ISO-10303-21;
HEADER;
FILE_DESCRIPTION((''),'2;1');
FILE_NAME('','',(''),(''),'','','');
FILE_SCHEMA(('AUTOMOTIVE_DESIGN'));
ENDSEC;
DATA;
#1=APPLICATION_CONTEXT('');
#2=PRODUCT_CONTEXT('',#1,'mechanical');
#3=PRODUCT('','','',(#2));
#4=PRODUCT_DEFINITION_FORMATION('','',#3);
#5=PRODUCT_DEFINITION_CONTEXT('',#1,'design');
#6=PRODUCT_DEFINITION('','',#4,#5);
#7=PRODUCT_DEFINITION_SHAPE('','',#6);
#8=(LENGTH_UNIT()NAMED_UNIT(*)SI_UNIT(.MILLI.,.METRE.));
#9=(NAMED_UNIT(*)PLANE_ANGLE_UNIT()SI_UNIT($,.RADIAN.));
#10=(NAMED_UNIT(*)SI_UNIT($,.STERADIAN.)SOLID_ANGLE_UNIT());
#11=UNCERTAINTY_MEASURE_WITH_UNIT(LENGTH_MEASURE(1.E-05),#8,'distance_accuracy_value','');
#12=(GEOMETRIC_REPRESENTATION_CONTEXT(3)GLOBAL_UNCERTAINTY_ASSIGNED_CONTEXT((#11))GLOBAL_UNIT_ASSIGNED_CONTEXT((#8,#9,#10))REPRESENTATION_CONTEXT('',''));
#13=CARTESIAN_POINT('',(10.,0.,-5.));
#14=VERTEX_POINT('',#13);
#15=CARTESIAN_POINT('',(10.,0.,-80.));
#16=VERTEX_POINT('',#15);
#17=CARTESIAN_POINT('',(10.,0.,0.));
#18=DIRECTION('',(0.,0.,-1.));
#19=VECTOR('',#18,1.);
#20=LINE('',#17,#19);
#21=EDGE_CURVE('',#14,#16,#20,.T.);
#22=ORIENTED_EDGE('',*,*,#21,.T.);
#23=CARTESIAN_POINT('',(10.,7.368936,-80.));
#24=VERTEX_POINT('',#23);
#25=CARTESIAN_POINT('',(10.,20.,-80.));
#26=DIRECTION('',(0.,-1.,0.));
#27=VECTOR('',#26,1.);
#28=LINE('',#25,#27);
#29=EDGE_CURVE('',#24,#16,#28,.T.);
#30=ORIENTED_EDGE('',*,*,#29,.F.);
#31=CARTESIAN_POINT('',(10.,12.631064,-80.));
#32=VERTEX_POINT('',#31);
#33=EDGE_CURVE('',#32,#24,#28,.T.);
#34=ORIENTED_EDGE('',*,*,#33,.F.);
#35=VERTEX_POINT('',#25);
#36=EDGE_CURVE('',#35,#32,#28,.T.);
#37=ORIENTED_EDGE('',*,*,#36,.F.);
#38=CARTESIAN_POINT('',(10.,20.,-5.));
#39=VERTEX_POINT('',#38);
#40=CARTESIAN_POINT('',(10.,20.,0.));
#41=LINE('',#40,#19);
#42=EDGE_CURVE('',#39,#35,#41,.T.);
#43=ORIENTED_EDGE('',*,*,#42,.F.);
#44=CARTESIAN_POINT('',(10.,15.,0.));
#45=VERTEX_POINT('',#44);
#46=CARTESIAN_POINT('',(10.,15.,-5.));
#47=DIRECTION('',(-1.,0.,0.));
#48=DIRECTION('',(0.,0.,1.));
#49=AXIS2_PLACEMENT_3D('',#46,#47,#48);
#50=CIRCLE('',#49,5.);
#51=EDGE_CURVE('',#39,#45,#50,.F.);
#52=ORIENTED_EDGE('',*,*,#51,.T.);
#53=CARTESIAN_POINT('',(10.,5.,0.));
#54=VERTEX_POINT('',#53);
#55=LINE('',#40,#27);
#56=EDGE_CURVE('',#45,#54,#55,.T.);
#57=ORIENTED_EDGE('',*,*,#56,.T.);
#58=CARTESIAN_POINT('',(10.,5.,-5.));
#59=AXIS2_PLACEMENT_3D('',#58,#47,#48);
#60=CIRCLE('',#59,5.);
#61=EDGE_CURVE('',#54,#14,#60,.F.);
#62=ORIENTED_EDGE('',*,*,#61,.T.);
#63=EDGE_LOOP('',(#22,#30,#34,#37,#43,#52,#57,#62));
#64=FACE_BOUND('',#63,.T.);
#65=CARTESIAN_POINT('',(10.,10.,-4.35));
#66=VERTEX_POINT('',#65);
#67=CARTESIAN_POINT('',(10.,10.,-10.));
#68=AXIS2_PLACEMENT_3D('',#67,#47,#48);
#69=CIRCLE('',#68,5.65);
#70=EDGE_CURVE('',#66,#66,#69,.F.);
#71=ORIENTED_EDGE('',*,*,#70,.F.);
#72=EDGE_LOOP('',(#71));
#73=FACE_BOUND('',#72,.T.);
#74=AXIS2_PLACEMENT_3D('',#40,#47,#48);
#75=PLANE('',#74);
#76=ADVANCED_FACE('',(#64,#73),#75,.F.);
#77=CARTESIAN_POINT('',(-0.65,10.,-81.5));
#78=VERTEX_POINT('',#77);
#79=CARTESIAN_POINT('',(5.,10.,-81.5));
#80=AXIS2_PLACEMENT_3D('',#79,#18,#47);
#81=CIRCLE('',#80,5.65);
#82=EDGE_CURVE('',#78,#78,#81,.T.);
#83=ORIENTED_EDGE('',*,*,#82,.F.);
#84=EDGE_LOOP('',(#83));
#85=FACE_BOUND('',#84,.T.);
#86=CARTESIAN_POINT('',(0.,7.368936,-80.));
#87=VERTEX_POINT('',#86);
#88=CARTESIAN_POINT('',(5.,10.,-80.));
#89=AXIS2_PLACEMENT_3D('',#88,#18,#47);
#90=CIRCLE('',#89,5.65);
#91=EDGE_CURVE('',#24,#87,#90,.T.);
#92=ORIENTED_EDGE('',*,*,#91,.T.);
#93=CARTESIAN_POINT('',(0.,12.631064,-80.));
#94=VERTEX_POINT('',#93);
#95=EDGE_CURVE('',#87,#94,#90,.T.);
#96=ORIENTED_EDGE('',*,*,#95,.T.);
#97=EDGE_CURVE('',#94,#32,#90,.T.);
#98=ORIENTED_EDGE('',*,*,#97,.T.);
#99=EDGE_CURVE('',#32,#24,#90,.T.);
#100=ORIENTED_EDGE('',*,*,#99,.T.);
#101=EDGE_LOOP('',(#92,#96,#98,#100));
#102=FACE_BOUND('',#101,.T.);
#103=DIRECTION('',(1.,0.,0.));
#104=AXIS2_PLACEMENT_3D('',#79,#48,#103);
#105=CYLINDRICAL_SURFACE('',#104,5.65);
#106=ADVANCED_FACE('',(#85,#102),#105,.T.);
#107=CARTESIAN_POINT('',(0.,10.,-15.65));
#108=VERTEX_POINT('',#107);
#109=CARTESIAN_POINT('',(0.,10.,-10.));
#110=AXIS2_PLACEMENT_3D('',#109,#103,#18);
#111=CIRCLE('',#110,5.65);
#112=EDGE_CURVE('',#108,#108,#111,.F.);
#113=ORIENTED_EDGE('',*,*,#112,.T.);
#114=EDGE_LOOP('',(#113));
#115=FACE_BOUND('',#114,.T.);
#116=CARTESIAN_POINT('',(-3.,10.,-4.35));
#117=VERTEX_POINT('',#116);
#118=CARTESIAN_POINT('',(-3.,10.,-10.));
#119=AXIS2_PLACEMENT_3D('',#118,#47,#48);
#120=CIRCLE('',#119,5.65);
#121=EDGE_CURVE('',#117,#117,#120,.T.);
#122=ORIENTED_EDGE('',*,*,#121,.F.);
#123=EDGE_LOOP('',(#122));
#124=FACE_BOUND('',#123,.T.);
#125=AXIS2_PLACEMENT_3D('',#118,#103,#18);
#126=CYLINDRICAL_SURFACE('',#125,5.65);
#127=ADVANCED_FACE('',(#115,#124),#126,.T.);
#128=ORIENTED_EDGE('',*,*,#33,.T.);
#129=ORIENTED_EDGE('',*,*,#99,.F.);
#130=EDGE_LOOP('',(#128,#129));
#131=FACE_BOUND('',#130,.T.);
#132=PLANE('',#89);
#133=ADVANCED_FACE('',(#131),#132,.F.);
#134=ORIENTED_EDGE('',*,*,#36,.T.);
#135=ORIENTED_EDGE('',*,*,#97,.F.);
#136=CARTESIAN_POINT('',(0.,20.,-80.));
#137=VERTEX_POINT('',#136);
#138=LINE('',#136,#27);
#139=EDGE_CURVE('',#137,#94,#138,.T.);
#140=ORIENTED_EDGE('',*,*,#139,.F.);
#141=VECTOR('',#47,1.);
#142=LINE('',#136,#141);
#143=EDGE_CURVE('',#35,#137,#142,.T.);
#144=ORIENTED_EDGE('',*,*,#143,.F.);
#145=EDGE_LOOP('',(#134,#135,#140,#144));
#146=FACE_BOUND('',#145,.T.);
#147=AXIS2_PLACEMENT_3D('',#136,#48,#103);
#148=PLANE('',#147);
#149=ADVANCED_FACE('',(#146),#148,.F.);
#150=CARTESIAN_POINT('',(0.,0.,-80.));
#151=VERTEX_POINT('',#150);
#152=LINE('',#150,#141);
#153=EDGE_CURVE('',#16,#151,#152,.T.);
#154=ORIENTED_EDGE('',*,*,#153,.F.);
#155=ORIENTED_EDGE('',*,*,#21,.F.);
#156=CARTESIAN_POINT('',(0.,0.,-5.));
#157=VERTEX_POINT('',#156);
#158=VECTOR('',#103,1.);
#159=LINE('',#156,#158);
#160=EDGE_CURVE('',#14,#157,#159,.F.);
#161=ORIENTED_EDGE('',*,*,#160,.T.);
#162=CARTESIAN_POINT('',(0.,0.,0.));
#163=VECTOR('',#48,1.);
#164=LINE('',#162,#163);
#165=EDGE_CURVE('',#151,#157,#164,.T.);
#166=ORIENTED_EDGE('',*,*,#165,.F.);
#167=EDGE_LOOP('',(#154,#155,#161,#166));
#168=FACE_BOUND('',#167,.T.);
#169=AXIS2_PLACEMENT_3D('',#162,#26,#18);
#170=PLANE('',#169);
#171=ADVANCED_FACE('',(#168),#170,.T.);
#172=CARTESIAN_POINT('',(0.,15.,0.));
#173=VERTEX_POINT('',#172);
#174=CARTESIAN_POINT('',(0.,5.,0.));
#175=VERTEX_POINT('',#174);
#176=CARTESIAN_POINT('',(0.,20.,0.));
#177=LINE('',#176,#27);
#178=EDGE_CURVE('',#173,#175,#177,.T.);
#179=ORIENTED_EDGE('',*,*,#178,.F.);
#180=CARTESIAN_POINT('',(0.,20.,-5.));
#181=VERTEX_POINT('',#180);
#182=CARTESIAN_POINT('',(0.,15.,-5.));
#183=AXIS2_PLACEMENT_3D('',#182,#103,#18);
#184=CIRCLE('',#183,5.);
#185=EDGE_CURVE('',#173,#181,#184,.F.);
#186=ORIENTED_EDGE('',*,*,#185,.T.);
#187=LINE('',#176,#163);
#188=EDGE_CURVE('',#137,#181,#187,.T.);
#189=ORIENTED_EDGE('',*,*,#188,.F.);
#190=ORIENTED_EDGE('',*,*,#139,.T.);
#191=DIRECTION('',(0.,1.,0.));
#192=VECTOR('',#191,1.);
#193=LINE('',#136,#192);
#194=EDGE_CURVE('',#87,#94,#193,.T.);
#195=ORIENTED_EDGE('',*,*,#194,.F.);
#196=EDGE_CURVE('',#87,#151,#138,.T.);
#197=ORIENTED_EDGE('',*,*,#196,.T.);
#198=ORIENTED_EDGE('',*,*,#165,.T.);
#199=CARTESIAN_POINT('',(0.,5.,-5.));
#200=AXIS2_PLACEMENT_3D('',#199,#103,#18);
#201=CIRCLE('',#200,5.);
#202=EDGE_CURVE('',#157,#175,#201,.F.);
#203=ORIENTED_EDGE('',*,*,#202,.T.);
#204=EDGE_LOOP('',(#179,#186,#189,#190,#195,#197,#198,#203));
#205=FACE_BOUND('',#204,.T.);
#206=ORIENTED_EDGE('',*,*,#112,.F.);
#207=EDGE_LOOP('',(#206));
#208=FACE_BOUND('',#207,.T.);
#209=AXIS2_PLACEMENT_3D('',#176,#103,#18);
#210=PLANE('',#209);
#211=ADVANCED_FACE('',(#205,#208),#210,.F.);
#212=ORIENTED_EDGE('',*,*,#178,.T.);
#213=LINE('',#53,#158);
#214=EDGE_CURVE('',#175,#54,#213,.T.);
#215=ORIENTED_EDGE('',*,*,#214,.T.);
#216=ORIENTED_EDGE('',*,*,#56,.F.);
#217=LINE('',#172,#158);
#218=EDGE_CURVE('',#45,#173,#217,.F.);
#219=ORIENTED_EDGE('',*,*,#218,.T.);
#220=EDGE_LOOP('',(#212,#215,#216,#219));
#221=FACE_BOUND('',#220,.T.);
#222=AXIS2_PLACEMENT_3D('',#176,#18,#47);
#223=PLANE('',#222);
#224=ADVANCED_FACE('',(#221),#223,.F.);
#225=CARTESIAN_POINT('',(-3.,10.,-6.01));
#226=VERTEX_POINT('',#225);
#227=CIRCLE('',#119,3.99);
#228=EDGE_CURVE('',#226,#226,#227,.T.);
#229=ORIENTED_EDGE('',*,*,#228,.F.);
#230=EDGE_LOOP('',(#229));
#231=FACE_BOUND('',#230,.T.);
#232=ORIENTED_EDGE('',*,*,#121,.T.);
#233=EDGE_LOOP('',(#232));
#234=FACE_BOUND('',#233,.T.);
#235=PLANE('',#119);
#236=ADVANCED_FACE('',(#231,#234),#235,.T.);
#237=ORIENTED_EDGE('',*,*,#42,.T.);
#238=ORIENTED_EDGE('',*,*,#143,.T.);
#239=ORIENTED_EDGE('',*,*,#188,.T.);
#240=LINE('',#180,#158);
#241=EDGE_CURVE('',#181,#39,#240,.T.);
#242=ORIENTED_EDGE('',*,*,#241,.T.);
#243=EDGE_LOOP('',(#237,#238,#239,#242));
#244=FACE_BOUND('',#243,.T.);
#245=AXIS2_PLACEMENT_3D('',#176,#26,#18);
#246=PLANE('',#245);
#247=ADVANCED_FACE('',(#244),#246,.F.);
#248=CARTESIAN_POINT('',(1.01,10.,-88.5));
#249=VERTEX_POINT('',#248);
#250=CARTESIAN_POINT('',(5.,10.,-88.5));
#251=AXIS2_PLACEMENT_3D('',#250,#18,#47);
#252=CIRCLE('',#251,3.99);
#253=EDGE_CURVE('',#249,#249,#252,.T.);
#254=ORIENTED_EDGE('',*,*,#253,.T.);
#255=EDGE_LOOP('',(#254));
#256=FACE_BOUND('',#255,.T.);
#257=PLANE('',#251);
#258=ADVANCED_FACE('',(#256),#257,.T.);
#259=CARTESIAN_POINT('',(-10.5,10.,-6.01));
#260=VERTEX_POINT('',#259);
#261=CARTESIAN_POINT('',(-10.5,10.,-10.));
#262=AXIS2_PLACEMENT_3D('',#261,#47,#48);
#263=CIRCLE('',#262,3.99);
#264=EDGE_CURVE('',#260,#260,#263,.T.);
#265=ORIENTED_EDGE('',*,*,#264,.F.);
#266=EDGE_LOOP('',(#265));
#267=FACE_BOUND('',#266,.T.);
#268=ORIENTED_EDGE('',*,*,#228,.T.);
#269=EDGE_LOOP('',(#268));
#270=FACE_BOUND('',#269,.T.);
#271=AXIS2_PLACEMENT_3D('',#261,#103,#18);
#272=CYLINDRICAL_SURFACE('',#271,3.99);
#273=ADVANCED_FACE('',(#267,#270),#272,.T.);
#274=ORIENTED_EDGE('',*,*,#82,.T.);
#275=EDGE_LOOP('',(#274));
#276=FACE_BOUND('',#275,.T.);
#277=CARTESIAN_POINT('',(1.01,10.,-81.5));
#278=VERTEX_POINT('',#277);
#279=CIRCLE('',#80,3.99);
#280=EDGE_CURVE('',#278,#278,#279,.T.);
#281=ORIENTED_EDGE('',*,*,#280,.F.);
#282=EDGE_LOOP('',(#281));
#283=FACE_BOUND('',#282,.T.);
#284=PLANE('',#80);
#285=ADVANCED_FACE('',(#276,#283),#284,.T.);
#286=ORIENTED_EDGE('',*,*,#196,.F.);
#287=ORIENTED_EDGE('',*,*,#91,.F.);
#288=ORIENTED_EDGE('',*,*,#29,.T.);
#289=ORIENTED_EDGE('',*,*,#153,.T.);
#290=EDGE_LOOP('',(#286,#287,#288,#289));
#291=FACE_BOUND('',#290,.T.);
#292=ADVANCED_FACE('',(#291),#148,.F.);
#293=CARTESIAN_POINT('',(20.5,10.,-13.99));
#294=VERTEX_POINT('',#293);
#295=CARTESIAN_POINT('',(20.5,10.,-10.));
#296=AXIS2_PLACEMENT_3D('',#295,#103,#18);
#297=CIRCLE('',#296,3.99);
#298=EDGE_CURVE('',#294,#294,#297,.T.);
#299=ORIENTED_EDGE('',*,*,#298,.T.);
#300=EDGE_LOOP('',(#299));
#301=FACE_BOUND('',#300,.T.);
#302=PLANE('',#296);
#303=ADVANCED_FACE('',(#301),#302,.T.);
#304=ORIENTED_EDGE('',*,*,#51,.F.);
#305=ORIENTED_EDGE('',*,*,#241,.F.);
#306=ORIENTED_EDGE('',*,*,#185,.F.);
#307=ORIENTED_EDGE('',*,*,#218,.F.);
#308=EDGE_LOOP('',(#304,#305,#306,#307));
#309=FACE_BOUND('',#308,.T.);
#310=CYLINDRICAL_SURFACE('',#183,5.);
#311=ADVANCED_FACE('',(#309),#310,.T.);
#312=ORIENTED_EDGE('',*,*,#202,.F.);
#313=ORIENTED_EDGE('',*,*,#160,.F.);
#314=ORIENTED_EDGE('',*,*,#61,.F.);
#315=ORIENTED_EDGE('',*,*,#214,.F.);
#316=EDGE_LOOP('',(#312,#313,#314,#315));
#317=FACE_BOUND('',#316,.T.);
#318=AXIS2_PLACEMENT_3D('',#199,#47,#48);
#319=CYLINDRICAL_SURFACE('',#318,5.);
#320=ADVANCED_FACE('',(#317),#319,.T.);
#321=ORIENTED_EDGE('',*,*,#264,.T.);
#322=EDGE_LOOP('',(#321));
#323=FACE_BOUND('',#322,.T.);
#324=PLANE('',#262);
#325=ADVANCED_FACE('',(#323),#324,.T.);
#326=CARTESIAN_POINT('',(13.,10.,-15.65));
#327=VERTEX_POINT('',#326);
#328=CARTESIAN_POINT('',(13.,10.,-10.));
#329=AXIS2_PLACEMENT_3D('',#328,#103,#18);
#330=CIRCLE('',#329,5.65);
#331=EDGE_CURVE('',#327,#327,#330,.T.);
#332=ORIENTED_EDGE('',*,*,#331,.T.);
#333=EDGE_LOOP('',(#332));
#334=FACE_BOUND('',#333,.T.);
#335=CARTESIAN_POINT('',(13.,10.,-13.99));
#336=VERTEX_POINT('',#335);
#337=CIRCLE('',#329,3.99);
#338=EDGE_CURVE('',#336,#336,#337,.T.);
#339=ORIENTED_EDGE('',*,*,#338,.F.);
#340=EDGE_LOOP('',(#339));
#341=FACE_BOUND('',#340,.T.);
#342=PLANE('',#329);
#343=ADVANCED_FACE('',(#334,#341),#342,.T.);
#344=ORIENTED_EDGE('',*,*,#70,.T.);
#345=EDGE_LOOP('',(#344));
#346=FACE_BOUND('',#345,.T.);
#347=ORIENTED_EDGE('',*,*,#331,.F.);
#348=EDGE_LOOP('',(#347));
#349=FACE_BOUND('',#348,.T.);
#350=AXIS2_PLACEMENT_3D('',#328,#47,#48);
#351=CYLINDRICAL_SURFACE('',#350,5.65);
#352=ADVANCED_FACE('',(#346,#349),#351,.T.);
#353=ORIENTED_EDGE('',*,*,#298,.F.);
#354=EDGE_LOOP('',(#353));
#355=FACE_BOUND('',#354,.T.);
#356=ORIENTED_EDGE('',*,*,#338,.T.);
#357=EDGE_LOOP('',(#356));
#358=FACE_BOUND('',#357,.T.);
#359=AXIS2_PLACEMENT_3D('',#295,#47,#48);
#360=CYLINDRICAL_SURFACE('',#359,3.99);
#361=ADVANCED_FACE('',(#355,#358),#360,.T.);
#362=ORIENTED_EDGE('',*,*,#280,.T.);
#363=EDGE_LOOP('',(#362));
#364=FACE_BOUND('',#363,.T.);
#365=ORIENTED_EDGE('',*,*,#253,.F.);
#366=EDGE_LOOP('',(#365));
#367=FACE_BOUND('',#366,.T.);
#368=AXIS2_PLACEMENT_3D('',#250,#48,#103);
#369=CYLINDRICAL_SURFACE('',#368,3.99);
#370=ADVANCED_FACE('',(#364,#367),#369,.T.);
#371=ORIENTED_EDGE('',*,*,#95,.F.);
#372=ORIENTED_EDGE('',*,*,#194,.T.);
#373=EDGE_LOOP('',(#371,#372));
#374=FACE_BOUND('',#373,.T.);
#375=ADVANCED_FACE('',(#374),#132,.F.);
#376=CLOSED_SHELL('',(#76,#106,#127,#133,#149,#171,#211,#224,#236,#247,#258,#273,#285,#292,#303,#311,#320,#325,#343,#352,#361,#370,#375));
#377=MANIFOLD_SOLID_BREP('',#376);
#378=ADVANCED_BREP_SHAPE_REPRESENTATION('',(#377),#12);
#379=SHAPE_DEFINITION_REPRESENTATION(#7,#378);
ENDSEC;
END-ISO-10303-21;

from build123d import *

# Parameters (mm, degrees)
SKETCH1_W           = 10
SKETCH1_H           = 80
BOSS_EXTRUDE1_DEPTH = 20
FILLET1_R           = 5
SKETCH3_R           = 3.99
BOSS_EXTRUDE2_DEPTH = 8.5
SKETCH4_R           = 5.65
BOSS_EXTRUDE3_DEPTH = 1.5
SKETCH2_R           = 5.65
BOSS_EXTRUDE4_DEPTH = 3
SKETCH6_R           = 3.99
BOSS_EXTRUDE5_DEPTH = 7.5
BOSS_EXTRUDE6_START = 3
SKETCH7_R           = 5.65
BOSS_EXTRUDE6_DEPTH = 3
BOSS_EXTRUDE7_START = 7.5
SKETCH9_R           = 3.99
BOSS_EXTRUDE7_DEPTH = 7.5


with BuildPart() as part:
    # Sketch1 → Boss-Extrude1 (new body)
    with BuildSketch(Plane(origin=(0, 0, 0), x_dir=(1, 0, 0), z_dir=(0, 1, 0))):
        with Locations((5, 40)):
            Rectangle(SKETCH1_W, SKETCH1_H)
    extrude(amount=BOSS_EXTRUDE1_DEPTH)

    # Fillet1
    fillet1_edges = [part.edges().sort_by_distance(p)[0] for p in [
        (5, 0, 0),
        (5, 20, 0),
    ]]
    fillet(fillet1_edges, radius=FILLET1_R)

    # Sketch3 → Boss-Extrude2 (add)
    with BuildSketch(Plane(origin=(0, 0, -80), x_dir=(-1, 0, 0), z_dir=(0, 0, -1))):
        with Locations(Location((-5, 10, 0), (0, 0, 180))):
            Circle(SKETCH3_R)
    extrude(amount=BOSS_EXTRUDE2_DEPTH)

    # Sketch4 → Boss-Extrude3 (add)
    with BuildSketch(Plane(origin=(0, 0, -80), x_dir=(-1, 0, 0), z_dir=(0, 0, -1))):
        with Locations(Location((-5, 10, 0), (0, 0, 207.753923356))):
            Circle(SKETCH4_R)
    extrude(amount=BOSS_EXTRUDE3_DEPTH)

    # Sketch2 → Boss-Extrude4 (add)
    with BuildSketch(Plane(origin=(10, 0, 0), x_dir=(0, 0, -1), z_dir=(1, 0, 0))):
        with Locations(Location((10, 10, 0), (0, 0, 180))):
            Circle(SKETCH2_R)
    extrude(amount=BOSS_EXTRUDE4_DEPTH)

    # Sketch6 → Boss-Extrude5 (add)
    with BuildSketch(Plane(origin=(13, 0, 0), x_dir=(0, 0, -1), z_dir=(1, 0, 0))):
        with Locations((10, 10)):
            Circle(SKETCH6_R)
    extrude(amount=BOSS_EXTRUDE5_DEPTH)

    # Sketch7 → Boss-Extrude6 (add)
    with BuildSketch(Plane.ZY.offset(BOSS_EXTRUDE6_START)):
        with Locations((-10, 10)):
            Circle(SKETCH7_R)
    extrude(amount=-BOSS_EXTRUDE6_DEPTH)

    # Sketch9 → Boss-Extrude7 (add)
    with BuildSketch(Plane.ZY.offset(3).offset(BOSS_EXTRUDE7_START)):
        with Locations(Location((-10, 10, 0), (0, 0, 180))):
            Circle(SKETCH9_R)
    extrude(amount=-BOSS_EXTRUDE7_DEPTH)


solid = part.part
